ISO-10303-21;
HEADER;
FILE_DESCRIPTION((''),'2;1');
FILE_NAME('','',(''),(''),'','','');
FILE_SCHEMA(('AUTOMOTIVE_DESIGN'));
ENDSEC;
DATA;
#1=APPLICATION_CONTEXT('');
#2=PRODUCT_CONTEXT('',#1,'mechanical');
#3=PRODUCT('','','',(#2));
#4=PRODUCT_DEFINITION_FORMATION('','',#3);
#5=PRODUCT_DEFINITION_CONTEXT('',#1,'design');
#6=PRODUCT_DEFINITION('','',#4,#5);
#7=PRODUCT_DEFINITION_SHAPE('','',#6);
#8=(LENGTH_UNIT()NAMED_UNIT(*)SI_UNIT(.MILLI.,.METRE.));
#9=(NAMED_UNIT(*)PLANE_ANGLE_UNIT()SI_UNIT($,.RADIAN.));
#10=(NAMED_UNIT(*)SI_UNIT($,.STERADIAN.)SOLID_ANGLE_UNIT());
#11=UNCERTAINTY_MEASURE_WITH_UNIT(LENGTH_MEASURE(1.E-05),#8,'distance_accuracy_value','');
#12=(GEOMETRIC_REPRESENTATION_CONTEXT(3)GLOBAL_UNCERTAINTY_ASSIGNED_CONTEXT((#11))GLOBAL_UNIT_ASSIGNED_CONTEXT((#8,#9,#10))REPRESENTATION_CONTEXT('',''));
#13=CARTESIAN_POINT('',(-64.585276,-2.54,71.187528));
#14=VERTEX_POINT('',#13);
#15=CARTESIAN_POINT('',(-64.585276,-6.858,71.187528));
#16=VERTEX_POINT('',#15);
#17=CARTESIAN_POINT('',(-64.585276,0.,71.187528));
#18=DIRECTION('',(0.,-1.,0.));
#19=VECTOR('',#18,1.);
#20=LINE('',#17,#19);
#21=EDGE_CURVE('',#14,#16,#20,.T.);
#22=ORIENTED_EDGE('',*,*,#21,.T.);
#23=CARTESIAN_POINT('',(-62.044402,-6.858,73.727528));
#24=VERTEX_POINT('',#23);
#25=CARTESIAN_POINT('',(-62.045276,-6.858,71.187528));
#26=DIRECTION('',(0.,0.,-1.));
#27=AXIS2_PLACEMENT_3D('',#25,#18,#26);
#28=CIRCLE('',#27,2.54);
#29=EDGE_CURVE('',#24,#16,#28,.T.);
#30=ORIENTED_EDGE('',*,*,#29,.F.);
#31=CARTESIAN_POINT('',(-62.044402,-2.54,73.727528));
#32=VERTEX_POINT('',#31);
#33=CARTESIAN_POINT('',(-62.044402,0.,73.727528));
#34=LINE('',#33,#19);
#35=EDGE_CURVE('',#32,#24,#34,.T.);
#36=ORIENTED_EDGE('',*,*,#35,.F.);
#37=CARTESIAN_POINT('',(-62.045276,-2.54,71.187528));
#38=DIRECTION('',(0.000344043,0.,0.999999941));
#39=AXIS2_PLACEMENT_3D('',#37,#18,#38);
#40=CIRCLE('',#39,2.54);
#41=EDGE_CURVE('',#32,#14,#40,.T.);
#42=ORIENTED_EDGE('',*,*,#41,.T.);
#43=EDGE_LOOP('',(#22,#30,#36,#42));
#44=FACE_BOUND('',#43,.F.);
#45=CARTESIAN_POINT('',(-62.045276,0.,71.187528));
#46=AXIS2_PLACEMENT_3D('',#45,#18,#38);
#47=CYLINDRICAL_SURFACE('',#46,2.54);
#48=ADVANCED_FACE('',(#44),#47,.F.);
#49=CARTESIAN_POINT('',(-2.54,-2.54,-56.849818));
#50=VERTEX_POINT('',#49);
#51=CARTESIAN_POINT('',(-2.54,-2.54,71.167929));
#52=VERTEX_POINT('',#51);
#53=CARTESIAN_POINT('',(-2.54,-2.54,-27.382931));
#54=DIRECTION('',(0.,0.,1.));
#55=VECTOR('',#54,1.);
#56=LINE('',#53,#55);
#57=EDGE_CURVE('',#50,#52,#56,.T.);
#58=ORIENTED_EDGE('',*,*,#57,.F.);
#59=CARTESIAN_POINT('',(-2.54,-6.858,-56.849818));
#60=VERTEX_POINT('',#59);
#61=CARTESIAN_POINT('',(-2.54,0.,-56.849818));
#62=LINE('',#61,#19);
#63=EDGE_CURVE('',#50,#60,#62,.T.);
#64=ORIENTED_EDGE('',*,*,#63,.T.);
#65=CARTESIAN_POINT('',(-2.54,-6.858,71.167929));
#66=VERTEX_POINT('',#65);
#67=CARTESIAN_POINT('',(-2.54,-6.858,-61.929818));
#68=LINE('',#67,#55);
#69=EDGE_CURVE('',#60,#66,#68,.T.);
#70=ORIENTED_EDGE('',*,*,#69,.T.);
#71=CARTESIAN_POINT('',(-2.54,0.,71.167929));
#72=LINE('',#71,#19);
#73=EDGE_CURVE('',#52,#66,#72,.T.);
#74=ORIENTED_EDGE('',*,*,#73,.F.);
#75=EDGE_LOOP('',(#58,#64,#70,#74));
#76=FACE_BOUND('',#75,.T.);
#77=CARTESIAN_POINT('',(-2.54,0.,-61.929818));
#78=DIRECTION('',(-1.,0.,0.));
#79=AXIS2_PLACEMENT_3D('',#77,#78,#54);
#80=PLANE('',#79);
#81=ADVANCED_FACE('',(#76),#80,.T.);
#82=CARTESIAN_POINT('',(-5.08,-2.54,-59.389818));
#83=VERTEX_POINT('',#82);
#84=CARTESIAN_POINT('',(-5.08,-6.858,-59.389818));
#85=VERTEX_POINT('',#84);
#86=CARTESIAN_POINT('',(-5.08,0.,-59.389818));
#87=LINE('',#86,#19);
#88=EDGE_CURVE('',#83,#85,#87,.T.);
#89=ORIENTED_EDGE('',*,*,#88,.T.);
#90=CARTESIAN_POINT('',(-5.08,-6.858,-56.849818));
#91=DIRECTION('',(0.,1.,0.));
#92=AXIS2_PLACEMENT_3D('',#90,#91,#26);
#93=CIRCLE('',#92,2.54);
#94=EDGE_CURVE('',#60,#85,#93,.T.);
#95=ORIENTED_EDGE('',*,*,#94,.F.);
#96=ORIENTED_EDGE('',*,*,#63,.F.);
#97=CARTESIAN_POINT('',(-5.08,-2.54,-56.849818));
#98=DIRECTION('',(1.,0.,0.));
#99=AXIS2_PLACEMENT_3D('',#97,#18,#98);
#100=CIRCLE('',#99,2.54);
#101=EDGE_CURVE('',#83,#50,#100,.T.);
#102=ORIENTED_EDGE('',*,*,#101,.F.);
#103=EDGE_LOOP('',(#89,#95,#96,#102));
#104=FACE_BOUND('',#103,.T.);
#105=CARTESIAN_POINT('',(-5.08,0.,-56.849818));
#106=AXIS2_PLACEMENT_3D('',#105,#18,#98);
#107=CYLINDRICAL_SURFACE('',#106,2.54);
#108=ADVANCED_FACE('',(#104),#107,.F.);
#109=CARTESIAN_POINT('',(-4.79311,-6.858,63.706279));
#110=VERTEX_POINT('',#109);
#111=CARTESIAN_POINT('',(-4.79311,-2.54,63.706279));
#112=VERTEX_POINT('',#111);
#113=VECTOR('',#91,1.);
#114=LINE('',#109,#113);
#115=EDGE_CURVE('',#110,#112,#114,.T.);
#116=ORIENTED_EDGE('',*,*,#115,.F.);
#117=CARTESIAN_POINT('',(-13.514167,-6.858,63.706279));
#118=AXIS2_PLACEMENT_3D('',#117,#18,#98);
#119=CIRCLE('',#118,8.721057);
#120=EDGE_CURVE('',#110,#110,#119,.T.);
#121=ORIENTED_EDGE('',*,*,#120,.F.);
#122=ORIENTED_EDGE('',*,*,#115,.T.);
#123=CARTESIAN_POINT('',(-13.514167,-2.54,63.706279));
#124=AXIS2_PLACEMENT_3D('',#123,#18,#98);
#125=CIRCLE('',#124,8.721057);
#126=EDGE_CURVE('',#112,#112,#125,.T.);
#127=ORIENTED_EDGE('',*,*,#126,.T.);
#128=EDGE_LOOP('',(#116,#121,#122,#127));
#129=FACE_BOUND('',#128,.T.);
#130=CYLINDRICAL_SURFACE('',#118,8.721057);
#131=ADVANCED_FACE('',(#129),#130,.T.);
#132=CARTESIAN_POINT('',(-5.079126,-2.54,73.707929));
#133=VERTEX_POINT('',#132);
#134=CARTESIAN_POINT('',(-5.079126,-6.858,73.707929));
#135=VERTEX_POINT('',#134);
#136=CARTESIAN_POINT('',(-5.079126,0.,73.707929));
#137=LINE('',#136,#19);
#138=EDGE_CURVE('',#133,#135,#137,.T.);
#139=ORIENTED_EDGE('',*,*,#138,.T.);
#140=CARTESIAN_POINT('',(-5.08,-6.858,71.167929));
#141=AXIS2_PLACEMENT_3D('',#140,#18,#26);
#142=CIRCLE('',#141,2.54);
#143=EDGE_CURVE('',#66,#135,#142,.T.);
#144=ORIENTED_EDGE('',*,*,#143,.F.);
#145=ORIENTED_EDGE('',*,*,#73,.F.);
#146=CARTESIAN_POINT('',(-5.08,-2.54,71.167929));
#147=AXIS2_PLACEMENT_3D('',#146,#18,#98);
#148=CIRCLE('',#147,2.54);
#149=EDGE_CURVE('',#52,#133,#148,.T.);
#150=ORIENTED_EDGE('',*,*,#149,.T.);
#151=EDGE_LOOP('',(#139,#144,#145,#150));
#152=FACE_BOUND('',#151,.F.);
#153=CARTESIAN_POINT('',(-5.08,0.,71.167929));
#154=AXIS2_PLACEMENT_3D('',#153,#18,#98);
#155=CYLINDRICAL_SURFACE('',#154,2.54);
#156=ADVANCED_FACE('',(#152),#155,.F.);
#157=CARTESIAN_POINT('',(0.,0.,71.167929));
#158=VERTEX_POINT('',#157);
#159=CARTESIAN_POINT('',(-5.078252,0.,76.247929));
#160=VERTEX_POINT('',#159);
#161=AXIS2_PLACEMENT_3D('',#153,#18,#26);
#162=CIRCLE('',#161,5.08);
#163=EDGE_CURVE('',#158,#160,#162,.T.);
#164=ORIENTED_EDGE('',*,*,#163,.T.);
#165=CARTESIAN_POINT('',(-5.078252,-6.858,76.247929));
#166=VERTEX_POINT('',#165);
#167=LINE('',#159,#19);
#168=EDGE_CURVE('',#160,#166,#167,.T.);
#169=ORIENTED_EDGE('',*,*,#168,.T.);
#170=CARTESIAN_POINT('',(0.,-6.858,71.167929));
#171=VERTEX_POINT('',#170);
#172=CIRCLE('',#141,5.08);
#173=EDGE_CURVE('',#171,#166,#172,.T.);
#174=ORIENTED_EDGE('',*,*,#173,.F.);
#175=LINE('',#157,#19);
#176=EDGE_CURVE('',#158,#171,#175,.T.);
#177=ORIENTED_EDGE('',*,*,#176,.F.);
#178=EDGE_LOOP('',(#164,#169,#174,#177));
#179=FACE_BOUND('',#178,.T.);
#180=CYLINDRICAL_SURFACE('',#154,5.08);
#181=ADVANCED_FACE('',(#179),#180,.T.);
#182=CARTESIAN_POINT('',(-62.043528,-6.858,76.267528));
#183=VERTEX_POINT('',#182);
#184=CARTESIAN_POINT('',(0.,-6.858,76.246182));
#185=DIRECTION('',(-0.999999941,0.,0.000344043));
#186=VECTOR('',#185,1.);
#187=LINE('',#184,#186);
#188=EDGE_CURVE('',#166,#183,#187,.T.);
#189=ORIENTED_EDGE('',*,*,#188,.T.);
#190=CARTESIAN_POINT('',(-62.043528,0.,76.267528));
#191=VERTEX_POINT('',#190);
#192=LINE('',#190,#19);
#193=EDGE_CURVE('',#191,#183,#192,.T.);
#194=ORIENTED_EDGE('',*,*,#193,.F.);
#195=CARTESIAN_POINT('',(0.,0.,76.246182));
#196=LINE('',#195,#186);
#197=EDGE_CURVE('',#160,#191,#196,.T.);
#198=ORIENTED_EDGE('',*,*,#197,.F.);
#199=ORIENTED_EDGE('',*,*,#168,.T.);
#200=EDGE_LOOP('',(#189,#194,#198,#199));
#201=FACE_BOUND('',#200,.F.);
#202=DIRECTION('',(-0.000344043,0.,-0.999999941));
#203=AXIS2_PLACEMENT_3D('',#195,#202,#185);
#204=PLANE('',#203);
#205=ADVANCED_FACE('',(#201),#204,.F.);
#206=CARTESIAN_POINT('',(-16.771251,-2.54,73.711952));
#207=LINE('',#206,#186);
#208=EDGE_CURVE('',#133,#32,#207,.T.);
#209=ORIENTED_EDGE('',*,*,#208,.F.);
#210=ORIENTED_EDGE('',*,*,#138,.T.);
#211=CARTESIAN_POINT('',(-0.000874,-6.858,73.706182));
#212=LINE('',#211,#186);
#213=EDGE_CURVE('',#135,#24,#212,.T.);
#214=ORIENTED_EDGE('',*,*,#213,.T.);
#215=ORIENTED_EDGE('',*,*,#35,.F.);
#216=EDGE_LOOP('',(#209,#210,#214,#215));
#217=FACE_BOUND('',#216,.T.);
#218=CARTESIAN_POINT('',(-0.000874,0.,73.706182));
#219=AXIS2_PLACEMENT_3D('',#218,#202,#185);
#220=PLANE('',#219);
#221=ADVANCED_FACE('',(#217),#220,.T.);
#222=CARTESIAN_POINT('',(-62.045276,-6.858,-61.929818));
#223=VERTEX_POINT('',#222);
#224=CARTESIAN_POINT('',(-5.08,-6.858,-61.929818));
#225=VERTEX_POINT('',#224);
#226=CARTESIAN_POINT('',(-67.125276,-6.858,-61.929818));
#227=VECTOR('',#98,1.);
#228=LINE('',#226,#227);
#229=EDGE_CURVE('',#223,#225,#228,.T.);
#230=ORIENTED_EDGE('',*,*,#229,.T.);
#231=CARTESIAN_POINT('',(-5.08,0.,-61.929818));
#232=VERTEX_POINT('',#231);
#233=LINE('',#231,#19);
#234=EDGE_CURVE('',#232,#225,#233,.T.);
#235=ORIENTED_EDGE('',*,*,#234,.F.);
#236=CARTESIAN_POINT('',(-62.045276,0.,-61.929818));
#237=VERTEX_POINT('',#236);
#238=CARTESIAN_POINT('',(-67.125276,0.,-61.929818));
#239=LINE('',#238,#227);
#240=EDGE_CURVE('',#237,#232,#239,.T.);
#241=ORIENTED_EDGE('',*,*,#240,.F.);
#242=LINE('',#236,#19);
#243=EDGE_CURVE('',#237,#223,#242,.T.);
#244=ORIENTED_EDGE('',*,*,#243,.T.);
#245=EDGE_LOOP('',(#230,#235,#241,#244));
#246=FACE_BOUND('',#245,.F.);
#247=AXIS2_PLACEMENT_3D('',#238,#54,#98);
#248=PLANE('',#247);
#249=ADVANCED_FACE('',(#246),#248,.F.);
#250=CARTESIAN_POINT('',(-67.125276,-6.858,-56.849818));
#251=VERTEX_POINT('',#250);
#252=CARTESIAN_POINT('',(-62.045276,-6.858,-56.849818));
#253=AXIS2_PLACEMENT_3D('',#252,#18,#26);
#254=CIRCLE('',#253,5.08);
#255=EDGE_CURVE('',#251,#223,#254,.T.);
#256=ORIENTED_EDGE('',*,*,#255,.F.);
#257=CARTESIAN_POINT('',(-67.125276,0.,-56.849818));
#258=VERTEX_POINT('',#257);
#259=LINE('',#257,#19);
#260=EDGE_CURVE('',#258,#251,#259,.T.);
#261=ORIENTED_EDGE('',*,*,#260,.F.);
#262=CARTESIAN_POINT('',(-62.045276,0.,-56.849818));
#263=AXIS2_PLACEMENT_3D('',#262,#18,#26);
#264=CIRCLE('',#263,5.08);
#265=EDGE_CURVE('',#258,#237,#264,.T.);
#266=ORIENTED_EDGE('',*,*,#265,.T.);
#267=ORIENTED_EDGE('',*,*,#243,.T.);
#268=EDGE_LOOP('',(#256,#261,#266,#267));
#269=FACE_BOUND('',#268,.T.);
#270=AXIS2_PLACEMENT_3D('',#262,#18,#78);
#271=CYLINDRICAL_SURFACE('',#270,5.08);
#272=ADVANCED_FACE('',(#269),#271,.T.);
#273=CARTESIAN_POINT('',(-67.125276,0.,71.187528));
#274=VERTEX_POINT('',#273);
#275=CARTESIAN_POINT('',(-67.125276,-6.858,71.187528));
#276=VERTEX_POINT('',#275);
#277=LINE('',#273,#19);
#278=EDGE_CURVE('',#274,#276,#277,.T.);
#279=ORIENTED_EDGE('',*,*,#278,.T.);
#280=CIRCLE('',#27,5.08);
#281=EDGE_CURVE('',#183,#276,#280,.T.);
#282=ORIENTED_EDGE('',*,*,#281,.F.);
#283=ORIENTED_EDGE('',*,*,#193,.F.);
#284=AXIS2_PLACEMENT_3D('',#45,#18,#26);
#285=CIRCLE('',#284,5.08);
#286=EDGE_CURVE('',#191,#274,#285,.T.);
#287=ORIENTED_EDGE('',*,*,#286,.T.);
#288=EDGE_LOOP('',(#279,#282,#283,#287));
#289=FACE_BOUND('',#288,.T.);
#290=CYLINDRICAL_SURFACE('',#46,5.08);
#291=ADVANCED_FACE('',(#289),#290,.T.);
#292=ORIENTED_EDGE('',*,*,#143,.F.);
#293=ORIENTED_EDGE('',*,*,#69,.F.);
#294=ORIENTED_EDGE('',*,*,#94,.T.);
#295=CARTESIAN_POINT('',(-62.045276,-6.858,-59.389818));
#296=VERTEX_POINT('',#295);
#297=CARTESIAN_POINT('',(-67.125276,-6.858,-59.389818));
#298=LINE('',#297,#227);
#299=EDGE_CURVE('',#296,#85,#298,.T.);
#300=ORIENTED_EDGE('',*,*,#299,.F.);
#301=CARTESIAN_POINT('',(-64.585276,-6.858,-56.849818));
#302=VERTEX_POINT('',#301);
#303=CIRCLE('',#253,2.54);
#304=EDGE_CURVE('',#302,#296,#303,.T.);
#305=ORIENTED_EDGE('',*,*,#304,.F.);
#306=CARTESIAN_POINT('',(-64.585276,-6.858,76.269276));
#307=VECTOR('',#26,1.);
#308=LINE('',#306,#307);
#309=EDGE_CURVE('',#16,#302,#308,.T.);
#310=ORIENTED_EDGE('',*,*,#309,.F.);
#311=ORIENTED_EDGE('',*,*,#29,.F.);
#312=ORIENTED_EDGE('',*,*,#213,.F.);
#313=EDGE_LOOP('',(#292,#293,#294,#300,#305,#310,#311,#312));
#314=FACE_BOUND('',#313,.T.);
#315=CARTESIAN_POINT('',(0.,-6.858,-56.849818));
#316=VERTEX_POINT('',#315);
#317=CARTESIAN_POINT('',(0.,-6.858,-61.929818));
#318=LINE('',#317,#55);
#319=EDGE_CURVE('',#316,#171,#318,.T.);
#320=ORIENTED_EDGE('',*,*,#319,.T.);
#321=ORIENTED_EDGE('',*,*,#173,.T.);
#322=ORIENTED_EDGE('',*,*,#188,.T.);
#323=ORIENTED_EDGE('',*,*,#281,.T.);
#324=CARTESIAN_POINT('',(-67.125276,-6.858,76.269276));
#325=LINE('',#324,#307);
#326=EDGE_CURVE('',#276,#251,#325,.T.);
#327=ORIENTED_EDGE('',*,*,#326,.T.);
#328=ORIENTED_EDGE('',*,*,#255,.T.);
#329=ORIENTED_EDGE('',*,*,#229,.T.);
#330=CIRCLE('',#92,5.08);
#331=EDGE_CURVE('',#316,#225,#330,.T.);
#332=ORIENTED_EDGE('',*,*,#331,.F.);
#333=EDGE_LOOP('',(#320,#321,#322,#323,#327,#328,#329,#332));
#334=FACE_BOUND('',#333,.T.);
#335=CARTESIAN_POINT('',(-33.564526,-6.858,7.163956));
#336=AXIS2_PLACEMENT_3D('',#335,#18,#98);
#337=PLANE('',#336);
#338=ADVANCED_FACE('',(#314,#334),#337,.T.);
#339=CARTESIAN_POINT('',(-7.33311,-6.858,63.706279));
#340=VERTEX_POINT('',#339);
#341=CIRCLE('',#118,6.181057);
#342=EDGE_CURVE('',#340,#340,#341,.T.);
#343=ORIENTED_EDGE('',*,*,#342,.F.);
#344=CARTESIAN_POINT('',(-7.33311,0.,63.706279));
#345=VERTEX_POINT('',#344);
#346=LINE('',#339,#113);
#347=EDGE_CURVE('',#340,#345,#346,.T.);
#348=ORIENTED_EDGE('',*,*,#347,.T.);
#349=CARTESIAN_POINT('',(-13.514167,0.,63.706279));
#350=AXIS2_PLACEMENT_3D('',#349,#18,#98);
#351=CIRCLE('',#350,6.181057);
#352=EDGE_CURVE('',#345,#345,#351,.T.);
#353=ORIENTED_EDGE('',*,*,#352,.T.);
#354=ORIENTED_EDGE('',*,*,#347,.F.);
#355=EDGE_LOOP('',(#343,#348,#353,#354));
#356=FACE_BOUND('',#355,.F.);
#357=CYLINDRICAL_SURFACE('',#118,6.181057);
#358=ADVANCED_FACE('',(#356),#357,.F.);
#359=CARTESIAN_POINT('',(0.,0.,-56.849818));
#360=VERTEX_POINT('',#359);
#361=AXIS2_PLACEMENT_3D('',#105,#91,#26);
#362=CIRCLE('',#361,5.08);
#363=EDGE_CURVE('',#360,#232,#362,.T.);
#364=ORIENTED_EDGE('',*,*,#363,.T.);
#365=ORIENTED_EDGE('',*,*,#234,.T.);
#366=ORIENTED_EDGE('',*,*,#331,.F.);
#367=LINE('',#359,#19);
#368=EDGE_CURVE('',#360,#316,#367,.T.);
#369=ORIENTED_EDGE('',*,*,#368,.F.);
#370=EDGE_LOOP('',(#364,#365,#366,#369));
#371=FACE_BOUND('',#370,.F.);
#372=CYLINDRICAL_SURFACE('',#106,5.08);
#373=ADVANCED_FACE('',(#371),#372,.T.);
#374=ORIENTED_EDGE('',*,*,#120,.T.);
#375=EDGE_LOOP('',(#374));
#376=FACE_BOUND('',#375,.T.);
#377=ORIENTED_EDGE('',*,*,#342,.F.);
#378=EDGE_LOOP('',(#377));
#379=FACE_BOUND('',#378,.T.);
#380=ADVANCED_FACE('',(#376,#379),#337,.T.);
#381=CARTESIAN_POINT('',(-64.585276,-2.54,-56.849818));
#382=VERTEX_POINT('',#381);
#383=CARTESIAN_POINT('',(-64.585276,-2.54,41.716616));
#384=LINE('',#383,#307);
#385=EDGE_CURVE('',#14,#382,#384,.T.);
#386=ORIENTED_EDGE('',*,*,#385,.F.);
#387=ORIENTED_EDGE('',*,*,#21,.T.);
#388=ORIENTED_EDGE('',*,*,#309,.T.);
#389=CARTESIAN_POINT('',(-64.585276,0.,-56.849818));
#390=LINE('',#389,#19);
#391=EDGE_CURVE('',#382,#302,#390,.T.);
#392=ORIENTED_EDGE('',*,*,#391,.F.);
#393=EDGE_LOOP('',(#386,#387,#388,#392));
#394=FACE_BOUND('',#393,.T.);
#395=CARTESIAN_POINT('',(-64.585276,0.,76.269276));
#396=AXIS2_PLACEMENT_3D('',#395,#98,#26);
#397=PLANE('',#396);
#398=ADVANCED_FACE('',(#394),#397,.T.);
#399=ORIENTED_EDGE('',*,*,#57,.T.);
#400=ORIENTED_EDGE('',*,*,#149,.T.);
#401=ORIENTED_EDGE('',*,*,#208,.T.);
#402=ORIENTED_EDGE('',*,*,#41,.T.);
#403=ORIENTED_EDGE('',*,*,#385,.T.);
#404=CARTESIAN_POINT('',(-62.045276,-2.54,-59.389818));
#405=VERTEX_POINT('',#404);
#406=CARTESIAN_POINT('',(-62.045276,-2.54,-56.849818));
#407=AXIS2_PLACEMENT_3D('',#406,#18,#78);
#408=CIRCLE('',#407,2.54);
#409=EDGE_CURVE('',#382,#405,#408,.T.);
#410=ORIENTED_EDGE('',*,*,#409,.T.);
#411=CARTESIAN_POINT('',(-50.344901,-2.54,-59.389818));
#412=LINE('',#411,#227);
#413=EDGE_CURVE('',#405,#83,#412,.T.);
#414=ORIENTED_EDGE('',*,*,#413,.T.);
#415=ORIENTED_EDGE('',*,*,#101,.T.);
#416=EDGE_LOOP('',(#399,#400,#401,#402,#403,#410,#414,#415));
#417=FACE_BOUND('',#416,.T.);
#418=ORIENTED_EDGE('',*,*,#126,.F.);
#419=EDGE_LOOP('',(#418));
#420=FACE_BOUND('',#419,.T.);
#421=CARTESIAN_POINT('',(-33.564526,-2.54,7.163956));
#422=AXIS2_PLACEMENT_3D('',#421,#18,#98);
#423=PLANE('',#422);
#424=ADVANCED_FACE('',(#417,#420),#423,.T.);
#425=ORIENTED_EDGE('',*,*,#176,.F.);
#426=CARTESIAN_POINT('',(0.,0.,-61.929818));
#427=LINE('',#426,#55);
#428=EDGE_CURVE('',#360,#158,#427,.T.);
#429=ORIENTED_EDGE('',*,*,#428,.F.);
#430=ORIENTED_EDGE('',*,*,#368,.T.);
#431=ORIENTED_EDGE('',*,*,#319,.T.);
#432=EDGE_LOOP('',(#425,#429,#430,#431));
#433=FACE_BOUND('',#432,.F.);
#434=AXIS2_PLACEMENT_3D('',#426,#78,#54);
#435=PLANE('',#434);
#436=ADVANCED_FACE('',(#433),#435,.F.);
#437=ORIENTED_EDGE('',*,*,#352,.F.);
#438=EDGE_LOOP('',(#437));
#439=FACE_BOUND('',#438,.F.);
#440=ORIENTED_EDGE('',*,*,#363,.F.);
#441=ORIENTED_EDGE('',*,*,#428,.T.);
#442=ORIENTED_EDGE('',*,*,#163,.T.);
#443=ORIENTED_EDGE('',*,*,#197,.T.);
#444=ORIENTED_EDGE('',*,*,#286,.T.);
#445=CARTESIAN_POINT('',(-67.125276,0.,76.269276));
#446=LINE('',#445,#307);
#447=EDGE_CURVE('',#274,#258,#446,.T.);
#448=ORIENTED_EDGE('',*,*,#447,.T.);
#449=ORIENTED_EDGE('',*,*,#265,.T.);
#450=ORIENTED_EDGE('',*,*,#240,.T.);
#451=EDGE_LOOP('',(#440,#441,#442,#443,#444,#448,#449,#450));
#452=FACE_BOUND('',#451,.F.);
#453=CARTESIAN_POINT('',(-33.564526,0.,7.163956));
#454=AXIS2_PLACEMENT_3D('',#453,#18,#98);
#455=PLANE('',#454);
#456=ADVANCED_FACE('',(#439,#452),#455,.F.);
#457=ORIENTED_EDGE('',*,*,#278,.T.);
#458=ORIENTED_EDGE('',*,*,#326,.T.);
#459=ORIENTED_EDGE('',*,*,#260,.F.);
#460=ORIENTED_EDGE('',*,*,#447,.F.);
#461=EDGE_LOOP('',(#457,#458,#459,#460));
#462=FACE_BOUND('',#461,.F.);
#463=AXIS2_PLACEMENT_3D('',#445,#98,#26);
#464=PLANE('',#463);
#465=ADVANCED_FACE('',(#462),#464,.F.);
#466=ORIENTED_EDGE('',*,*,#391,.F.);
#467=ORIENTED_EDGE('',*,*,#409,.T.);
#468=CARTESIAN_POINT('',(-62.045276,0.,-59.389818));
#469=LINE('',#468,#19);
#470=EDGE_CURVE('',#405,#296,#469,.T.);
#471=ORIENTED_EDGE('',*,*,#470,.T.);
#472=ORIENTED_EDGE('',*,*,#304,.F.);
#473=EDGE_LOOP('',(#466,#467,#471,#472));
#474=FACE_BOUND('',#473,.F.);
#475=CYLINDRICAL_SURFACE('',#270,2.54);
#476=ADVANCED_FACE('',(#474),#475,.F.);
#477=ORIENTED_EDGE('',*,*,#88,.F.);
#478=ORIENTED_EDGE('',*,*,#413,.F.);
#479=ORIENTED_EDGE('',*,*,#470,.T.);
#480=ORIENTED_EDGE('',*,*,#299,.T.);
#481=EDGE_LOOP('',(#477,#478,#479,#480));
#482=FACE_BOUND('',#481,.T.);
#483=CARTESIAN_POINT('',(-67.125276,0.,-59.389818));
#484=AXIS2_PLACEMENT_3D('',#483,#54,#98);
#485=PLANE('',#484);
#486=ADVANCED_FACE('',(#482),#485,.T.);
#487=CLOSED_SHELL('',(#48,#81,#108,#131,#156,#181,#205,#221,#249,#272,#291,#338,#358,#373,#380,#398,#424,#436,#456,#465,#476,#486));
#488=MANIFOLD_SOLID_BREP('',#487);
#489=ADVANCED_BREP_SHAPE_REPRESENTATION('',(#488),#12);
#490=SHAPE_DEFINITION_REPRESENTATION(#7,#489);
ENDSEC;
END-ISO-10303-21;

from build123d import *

# Parameters (mm, degrees)
F1_DEPTH = 6.858
F2_R     = 5.08
F3_R     = 6.181057
F4_DEPTH = 6.858
F6_T     = -2.54


with BuildPart() as f1:
    # F0 (on Front) → F1 (new body)
    with BuildSketch(Plane.XZ):
        Polygon((0, -61.929818), (0, 76.246182), (-67.125276, 76.269276), (-67.125276, -61.929818), align=None)
    extrude(amount=F1_DEPTH)

    # F2
    f2_edges = [f1.edges().sort_by_distance(p)[0] for p in [
        (-67.125276, -3.429, 76.269276),
        (0, -3.429, -61.929818),
        (-67.125276, -3.429, -61.929818),
        (0, -3.429, 76.246182),
    ]]
    fillet(f2_edges, radius=F2_R)

    # F3 (on face) → F4 (cut)
    with BuildSketch(Plane.XZ.offset(6.858)):
        with Locations((-13.514167, 63.706279)):
            Circle(F3_R)
    extrude(amount=-F4_DEPTH, mode=Mode.SUBTRACT)

    # F6
    f6_openings = [f1.faces().sort_by_distance(p)[0] for p in [
        (-33.827013, -6.858, 6.420933),
    ]]
    offset(amount=F6_T, openings=f6_openings)


solid = f1.part
